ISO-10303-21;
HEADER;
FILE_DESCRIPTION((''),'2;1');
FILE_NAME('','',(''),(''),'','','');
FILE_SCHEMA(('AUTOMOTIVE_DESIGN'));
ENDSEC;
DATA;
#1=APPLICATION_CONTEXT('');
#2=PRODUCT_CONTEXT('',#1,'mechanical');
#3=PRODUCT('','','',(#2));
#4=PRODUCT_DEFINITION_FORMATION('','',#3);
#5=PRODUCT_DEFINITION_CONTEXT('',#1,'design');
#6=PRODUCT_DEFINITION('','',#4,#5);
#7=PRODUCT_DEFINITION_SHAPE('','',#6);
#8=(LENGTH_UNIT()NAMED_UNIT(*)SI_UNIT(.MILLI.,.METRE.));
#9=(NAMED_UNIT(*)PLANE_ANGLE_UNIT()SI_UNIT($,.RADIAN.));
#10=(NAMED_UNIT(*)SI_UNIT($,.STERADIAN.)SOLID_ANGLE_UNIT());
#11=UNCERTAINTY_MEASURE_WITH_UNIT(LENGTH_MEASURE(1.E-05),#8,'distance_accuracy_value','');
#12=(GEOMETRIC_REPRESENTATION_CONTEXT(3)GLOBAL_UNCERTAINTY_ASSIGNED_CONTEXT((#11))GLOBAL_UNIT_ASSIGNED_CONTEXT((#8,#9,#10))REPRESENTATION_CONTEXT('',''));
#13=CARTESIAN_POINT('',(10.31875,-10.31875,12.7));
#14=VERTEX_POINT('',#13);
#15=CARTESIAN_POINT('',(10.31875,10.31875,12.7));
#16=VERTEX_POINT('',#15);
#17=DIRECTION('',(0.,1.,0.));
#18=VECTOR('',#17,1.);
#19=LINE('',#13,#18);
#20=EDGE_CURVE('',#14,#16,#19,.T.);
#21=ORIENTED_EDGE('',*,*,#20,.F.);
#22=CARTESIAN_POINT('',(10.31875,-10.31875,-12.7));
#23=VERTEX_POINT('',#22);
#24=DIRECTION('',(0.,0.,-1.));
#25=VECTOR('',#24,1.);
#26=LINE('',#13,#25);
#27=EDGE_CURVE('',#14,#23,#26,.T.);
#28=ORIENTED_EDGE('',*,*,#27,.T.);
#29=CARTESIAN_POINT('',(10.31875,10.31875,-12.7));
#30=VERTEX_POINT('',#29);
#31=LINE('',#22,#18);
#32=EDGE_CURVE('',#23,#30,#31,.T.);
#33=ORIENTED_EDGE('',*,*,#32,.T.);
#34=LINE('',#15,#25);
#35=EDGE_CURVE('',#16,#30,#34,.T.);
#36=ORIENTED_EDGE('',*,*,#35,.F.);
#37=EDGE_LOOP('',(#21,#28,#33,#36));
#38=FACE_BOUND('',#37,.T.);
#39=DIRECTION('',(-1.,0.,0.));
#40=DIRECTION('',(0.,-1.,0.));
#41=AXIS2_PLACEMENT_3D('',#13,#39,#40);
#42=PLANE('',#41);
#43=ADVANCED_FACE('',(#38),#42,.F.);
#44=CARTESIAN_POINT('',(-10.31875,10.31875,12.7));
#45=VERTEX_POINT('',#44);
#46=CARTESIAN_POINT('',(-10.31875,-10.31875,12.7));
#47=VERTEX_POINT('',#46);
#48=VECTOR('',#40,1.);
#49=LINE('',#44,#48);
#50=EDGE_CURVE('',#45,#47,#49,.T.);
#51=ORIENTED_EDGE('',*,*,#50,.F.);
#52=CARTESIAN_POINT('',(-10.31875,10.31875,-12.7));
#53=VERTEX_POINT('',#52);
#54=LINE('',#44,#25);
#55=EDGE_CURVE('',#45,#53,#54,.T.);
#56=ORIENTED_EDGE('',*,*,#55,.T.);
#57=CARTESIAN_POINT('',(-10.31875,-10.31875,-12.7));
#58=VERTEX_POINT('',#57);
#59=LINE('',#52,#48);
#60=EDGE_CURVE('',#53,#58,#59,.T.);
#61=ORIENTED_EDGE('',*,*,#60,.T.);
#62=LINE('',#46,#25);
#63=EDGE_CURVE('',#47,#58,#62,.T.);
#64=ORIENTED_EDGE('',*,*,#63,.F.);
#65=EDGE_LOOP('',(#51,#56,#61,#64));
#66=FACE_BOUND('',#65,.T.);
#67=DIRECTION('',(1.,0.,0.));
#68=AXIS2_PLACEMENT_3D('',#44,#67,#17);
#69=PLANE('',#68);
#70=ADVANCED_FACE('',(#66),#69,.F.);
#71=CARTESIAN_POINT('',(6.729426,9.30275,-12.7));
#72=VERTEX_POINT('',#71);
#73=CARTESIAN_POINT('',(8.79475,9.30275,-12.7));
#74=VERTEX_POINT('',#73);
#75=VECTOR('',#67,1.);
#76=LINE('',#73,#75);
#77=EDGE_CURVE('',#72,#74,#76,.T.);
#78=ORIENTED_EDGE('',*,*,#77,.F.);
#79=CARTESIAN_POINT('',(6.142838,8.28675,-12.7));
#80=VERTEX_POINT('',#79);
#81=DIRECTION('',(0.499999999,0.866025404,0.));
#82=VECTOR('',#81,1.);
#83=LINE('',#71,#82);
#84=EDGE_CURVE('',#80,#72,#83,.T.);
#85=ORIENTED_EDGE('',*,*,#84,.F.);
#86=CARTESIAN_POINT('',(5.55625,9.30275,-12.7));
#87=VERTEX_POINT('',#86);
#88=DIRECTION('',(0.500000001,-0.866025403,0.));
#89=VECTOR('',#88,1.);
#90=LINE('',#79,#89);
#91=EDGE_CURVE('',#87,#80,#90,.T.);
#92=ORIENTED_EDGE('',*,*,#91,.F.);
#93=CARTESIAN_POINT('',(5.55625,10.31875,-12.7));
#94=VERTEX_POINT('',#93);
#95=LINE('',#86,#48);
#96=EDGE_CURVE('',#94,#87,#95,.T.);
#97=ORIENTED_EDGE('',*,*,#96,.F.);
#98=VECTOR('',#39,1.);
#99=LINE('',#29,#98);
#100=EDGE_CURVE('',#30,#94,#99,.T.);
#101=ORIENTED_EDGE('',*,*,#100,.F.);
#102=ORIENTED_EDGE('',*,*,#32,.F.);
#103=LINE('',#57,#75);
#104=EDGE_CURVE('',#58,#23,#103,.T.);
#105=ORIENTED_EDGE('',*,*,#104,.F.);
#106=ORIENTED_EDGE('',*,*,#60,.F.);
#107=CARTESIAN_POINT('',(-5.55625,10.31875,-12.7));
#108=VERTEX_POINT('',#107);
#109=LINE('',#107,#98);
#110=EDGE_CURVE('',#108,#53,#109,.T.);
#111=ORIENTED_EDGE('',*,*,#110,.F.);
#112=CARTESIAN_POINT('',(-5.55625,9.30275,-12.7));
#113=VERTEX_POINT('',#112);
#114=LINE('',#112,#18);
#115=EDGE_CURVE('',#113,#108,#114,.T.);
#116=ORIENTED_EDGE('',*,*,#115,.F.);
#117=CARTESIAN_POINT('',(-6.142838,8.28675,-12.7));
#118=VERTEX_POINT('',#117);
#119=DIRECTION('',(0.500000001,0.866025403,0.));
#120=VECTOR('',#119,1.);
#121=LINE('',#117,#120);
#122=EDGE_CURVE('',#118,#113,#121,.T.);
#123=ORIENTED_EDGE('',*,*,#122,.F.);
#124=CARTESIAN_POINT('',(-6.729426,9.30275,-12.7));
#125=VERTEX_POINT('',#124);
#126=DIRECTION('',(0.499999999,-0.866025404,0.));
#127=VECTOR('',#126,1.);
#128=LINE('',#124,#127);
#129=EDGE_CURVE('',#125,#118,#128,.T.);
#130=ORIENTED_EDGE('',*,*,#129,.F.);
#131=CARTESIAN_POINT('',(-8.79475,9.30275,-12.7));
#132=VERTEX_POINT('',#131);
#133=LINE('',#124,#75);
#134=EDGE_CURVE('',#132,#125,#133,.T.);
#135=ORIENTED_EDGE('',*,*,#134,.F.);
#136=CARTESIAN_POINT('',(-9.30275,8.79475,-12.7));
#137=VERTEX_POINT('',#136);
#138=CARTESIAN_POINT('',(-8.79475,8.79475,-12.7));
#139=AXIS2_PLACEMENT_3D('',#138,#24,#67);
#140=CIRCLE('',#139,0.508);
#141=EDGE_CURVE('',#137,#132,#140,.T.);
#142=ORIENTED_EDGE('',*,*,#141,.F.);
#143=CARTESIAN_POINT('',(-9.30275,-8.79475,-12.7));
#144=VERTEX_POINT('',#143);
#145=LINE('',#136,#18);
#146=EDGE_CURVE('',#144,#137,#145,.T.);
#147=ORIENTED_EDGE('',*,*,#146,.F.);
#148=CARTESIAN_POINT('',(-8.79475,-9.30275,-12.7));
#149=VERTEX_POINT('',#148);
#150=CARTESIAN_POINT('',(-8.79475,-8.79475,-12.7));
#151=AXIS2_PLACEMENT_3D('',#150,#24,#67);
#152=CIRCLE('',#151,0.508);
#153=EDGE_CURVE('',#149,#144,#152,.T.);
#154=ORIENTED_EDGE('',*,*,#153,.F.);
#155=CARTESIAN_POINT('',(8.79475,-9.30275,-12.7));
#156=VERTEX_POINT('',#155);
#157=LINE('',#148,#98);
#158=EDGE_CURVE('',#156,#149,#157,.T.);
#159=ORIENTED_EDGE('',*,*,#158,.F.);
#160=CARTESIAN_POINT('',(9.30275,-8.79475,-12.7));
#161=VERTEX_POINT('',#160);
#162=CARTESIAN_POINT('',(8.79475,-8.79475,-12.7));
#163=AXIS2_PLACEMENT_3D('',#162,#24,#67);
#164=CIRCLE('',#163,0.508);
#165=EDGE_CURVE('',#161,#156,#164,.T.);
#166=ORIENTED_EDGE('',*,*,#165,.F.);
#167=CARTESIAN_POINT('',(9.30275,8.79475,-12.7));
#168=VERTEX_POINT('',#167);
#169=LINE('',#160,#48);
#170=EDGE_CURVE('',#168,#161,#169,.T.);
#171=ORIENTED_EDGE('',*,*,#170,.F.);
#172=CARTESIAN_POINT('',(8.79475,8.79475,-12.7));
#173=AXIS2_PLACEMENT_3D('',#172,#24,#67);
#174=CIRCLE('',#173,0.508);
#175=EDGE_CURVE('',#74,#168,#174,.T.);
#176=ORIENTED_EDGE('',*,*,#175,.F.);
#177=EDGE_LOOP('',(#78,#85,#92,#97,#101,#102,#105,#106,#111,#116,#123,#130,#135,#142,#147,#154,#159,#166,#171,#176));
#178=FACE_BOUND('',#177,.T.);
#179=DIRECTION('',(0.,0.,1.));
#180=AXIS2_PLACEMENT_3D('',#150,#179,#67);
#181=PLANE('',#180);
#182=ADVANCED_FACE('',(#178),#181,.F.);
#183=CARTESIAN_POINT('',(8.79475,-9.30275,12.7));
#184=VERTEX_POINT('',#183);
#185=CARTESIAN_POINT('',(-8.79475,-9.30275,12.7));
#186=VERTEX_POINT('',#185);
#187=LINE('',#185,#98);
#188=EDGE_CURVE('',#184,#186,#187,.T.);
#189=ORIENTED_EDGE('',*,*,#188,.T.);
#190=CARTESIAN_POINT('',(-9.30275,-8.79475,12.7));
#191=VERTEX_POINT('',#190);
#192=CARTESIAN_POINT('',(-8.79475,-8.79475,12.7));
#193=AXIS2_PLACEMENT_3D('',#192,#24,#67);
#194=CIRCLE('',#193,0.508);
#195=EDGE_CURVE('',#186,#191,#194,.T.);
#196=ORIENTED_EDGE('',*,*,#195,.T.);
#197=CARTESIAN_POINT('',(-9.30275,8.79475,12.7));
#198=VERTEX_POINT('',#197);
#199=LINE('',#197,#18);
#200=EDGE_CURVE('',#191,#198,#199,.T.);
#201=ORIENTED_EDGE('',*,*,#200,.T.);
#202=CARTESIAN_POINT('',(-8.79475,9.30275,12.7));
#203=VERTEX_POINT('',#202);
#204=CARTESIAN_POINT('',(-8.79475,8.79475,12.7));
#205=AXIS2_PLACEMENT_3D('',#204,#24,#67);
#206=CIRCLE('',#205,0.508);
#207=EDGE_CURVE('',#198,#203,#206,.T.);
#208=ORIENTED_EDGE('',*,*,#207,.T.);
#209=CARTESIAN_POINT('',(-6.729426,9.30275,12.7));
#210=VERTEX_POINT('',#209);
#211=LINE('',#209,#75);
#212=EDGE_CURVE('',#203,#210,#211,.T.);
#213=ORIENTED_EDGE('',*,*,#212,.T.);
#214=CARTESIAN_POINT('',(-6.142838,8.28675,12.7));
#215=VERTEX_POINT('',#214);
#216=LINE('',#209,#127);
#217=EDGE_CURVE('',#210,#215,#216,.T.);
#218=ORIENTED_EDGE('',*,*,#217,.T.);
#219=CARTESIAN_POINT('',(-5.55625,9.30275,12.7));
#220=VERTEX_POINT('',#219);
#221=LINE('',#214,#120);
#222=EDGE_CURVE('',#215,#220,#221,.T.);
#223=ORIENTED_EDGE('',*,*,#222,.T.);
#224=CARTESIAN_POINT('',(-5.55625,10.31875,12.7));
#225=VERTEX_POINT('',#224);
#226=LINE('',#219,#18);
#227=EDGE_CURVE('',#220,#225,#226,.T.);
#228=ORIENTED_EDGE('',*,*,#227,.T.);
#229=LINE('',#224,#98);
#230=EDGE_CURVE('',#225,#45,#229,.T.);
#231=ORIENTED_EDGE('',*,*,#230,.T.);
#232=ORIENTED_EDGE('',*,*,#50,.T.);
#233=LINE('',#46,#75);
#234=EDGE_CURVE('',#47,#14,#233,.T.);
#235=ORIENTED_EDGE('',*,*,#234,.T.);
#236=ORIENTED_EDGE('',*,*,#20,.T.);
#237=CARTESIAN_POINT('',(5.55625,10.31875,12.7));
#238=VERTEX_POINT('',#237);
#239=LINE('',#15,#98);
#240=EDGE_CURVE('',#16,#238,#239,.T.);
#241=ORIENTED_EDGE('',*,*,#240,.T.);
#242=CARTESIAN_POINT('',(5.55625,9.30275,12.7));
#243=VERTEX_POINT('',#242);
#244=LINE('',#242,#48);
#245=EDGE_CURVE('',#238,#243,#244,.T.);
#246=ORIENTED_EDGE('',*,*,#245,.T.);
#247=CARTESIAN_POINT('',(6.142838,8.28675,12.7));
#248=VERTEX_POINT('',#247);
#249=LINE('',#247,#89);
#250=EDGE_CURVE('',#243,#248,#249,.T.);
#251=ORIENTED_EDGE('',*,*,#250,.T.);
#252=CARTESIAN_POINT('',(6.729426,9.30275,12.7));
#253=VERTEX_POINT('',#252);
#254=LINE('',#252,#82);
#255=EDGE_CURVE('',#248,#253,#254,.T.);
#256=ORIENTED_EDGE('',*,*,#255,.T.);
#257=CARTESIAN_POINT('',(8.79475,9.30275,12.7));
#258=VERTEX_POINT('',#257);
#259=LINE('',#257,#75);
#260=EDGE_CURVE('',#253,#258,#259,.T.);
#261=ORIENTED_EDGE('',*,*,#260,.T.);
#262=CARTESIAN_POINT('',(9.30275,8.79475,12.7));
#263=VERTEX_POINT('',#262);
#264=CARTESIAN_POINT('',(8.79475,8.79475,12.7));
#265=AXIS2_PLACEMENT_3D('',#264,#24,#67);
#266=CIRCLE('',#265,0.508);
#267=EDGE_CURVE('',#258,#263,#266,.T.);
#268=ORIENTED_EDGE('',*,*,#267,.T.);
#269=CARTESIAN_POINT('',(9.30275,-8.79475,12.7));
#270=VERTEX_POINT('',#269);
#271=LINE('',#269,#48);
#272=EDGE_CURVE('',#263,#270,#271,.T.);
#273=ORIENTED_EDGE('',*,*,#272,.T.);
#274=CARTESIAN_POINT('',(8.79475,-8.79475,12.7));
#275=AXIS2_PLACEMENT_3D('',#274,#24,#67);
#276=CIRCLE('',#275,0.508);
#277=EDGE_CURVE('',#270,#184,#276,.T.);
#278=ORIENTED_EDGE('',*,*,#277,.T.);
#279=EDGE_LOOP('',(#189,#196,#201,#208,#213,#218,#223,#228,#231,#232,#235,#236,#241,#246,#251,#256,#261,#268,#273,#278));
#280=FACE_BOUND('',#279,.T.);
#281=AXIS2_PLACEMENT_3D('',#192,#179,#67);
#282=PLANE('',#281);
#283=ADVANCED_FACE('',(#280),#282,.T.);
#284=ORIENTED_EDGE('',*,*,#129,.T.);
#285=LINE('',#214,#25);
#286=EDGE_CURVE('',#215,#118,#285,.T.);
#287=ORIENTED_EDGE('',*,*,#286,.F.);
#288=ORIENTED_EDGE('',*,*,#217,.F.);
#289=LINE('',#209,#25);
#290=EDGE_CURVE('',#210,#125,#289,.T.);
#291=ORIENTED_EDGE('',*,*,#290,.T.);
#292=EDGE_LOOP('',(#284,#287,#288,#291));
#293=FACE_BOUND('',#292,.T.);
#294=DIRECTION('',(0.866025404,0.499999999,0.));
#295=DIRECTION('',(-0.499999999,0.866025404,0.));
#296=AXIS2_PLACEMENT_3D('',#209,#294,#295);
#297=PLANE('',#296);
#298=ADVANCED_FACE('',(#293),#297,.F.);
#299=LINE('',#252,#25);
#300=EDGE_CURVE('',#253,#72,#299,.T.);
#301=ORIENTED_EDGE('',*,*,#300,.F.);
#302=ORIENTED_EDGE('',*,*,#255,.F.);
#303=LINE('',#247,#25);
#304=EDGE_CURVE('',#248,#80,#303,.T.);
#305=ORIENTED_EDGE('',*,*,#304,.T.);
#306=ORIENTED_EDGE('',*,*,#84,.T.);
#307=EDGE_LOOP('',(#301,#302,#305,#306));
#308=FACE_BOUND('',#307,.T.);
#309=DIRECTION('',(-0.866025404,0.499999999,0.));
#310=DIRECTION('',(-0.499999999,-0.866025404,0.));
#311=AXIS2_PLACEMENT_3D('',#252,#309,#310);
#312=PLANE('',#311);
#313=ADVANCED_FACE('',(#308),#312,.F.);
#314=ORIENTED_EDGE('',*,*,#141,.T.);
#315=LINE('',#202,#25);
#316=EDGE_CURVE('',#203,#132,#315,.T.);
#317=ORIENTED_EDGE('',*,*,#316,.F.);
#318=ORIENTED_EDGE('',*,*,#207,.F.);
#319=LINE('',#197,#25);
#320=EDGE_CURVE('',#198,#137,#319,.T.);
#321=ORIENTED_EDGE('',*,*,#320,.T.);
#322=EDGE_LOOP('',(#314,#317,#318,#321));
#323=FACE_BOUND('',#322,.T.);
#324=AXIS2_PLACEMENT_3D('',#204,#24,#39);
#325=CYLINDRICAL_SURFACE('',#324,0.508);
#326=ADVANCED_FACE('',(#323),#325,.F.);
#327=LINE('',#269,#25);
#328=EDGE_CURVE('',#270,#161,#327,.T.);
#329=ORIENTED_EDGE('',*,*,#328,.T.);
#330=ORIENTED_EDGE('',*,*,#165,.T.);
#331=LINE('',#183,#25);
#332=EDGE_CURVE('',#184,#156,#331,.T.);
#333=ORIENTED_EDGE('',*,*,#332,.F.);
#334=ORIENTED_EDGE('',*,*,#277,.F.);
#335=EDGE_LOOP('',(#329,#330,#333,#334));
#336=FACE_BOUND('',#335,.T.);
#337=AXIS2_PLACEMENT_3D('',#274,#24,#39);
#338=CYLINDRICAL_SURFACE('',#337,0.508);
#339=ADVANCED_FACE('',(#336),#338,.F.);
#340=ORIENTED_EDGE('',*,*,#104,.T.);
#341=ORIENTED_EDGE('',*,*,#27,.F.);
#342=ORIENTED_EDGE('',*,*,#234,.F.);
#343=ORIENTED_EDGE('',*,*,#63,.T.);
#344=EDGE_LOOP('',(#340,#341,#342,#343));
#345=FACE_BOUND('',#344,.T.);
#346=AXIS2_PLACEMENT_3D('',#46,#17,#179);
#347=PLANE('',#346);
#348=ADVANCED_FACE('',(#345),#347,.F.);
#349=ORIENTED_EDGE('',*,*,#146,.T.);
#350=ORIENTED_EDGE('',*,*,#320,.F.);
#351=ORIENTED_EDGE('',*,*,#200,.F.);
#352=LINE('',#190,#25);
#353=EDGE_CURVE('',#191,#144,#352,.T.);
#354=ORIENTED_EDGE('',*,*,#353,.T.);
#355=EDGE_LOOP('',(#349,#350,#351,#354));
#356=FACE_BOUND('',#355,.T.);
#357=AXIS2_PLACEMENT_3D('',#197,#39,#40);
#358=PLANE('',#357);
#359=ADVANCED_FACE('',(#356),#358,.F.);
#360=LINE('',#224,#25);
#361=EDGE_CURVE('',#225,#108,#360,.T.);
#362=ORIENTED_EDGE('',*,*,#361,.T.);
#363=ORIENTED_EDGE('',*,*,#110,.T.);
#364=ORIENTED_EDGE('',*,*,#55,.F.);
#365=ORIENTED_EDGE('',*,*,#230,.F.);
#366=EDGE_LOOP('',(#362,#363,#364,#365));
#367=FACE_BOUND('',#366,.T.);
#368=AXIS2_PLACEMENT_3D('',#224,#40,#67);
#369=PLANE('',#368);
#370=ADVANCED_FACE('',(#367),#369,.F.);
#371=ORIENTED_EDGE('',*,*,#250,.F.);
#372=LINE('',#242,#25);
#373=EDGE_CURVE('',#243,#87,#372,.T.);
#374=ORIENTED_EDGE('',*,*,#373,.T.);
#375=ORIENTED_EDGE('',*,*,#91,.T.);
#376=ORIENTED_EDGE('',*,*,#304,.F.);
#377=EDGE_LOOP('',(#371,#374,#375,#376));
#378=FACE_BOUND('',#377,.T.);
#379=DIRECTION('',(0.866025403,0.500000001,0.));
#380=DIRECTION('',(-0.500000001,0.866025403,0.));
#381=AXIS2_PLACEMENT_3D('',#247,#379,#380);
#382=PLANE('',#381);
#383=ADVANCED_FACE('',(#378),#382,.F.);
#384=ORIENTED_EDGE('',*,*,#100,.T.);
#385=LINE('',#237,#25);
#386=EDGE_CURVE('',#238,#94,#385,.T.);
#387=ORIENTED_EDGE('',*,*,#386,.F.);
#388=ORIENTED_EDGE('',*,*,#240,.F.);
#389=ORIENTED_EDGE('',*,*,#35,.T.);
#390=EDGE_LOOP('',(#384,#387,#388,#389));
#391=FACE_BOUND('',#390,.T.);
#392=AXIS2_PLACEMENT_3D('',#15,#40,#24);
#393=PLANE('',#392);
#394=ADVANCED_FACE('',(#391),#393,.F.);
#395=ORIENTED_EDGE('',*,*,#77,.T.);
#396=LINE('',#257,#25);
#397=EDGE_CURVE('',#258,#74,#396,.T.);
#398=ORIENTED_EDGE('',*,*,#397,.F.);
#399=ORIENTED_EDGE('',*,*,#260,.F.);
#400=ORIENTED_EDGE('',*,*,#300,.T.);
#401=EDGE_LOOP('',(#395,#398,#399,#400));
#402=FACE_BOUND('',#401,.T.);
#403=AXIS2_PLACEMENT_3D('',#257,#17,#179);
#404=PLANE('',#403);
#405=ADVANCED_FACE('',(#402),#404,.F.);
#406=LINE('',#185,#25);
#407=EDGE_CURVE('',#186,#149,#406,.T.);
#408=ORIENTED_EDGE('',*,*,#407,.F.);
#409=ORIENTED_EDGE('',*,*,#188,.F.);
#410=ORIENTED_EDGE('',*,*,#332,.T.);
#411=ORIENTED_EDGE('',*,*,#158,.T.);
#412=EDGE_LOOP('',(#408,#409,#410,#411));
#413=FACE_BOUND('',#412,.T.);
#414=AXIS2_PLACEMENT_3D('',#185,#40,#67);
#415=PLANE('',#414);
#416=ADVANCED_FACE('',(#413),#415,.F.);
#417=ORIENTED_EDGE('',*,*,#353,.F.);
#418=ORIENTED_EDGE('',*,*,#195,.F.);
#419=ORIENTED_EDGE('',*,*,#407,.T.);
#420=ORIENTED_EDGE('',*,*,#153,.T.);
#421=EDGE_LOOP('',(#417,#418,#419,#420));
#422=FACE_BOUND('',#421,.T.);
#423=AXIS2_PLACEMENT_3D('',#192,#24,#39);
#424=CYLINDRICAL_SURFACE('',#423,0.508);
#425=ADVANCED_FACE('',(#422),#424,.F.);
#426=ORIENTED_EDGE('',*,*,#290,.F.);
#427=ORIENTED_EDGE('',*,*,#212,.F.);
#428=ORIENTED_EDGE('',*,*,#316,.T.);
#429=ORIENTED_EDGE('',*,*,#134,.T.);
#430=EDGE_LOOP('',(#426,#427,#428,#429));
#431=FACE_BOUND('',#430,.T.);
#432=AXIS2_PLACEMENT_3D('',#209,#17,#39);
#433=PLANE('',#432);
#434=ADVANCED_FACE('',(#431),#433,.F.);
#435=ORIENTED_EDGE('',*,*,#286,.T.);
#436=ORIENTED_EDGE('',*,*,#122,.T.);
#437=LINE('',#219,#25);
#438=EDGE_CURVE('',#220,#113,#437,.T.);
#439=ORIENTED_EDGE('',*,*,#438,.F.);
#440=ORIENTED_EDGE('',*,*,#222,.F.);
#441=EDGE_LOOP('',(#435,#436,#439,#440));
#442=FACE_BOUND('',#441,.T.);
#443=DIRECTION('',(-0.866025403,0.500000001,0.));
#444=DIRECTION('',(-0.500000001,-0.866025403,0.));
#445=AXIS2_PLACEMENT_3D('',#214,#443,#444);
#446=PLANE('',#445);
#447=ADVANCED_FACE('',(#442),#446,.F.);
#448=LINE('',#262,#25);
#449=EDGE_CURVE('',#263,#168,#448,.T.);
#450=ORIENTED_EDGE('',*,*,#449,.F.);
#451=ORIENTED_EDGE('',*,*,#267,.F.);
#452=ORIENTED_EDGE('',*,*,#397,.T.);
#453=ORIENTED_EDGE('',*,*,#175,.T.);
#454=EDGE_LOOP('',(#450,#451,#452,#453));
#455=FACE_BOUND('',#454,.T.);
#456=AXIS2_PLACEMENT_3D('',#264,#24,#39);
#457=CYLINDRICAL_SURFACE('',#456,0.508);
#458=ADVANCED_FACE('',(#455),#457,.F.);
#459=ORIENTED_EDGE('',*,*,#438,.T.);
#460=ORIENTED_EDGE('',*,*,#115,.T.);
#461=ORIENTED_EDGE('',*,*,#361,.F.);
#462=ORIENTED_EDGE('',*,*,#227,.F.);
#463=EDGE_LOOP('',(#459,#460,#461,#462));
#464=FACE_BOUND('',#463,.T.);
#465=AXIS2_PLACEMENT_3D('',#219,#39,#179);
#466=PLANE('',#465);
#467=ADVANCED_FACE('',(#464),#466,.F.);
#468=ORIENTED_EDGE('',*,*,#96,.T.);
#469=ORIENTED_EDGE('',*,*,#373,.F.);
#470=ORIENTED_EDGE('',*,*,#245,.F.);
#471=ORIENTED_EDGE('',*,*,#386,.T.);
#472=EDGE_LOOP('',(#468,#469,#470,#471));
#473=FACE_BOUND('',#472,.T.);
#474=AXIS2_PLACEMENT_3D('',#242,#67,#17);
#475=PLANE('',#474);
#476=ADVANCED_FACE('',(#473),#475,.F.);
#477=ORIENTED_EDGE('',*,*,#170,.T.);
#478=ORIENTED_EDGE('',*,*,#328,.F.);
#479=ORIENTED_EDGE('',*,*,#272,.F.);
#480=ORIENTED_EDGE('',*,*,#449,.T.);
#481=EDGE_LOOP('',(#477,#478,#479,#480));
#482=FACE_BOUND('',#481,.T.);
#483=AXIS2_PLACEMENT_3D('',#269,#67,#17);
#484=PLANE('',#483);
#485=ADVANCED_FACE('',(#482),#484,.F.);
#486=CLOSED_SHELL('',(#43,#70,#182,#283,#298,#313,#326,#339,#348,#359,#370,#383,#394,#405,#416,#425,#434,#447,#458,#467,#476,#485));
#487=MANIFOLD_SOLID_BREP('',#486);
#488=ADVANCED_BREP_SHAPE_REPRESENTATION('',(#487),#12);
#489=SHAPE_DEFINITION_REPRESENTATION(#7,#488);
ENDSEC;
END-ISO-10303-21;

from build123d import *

# Parameters (mm, degrees)
BASE_EXTRUDE_DEPTH = 12.7


with BuildPart() as part:
    # Sketch1 → Base-Extrude (new, symmetric)
    with BuildSketch(Plane.XY):
        with BuildLine():
            Line((-5.55625, 10.31875), (-10.31875, 10.31875))
            Line((-10.31875, 10.31875), (-10.31875, -10.31875))
            Line((-10.31875, -10.31875), (10.31875, -10.31875))
            Line((10.31875, -10.31875), (10.31875, 10.31875))
            Line((10.31875, 10.31875), (5.55625, 10.31875))
            Line((5.55625, 10.31875), (5.55625, 9.30275))
            Line((5.55625, 9.30275), (6.142837874, 8.28675))
            Line((6.142837874, 8.28675), (6.729425747, 9.30275))
            Line((6.729425747, 9.30275), (8.79475, 9.30275))
            ThreePointArc((8.79475, 9.30275), (9.153960245, 9.153960245), (9.30275, 8.79475))
            Line((9.30275, 8.79475), (9.30275, -8.79475))
            ThreePointArc((9.30275, -8.79475), (9.153960245, -9.153960245), (8.79475, -9.30275))
            Line((8.79475, -9.30275), (-8.79475, -9.30275))
            ThreePointArc((-8.79475, -9.30275), (-9.153960245, -9.153960245), (-9.30275, -8.79475))
            Line((-9.30275, -8.79475), (-9.30275, 8.79475))
            ThreePointArc((-9.30275, 8.79475), (-9.153960245, 9.153960245), (-8.79475, 9.30275))
            Line((-8.79475, 9.30275), (-6.729425747, 9.30275))
            Line((-6.729425747, 9.30275), (-6.142837874, 8.28675))
            Line((-6.142837874, 8.28675), (-5.55625, 9.30275))
            Line((-5.55625, 9.30275), (-5.55625, 10.31875))
        make_face()
    extrude(amount=BASE_EXTRUDE_DEPTH, both=True)


solid = part.part
